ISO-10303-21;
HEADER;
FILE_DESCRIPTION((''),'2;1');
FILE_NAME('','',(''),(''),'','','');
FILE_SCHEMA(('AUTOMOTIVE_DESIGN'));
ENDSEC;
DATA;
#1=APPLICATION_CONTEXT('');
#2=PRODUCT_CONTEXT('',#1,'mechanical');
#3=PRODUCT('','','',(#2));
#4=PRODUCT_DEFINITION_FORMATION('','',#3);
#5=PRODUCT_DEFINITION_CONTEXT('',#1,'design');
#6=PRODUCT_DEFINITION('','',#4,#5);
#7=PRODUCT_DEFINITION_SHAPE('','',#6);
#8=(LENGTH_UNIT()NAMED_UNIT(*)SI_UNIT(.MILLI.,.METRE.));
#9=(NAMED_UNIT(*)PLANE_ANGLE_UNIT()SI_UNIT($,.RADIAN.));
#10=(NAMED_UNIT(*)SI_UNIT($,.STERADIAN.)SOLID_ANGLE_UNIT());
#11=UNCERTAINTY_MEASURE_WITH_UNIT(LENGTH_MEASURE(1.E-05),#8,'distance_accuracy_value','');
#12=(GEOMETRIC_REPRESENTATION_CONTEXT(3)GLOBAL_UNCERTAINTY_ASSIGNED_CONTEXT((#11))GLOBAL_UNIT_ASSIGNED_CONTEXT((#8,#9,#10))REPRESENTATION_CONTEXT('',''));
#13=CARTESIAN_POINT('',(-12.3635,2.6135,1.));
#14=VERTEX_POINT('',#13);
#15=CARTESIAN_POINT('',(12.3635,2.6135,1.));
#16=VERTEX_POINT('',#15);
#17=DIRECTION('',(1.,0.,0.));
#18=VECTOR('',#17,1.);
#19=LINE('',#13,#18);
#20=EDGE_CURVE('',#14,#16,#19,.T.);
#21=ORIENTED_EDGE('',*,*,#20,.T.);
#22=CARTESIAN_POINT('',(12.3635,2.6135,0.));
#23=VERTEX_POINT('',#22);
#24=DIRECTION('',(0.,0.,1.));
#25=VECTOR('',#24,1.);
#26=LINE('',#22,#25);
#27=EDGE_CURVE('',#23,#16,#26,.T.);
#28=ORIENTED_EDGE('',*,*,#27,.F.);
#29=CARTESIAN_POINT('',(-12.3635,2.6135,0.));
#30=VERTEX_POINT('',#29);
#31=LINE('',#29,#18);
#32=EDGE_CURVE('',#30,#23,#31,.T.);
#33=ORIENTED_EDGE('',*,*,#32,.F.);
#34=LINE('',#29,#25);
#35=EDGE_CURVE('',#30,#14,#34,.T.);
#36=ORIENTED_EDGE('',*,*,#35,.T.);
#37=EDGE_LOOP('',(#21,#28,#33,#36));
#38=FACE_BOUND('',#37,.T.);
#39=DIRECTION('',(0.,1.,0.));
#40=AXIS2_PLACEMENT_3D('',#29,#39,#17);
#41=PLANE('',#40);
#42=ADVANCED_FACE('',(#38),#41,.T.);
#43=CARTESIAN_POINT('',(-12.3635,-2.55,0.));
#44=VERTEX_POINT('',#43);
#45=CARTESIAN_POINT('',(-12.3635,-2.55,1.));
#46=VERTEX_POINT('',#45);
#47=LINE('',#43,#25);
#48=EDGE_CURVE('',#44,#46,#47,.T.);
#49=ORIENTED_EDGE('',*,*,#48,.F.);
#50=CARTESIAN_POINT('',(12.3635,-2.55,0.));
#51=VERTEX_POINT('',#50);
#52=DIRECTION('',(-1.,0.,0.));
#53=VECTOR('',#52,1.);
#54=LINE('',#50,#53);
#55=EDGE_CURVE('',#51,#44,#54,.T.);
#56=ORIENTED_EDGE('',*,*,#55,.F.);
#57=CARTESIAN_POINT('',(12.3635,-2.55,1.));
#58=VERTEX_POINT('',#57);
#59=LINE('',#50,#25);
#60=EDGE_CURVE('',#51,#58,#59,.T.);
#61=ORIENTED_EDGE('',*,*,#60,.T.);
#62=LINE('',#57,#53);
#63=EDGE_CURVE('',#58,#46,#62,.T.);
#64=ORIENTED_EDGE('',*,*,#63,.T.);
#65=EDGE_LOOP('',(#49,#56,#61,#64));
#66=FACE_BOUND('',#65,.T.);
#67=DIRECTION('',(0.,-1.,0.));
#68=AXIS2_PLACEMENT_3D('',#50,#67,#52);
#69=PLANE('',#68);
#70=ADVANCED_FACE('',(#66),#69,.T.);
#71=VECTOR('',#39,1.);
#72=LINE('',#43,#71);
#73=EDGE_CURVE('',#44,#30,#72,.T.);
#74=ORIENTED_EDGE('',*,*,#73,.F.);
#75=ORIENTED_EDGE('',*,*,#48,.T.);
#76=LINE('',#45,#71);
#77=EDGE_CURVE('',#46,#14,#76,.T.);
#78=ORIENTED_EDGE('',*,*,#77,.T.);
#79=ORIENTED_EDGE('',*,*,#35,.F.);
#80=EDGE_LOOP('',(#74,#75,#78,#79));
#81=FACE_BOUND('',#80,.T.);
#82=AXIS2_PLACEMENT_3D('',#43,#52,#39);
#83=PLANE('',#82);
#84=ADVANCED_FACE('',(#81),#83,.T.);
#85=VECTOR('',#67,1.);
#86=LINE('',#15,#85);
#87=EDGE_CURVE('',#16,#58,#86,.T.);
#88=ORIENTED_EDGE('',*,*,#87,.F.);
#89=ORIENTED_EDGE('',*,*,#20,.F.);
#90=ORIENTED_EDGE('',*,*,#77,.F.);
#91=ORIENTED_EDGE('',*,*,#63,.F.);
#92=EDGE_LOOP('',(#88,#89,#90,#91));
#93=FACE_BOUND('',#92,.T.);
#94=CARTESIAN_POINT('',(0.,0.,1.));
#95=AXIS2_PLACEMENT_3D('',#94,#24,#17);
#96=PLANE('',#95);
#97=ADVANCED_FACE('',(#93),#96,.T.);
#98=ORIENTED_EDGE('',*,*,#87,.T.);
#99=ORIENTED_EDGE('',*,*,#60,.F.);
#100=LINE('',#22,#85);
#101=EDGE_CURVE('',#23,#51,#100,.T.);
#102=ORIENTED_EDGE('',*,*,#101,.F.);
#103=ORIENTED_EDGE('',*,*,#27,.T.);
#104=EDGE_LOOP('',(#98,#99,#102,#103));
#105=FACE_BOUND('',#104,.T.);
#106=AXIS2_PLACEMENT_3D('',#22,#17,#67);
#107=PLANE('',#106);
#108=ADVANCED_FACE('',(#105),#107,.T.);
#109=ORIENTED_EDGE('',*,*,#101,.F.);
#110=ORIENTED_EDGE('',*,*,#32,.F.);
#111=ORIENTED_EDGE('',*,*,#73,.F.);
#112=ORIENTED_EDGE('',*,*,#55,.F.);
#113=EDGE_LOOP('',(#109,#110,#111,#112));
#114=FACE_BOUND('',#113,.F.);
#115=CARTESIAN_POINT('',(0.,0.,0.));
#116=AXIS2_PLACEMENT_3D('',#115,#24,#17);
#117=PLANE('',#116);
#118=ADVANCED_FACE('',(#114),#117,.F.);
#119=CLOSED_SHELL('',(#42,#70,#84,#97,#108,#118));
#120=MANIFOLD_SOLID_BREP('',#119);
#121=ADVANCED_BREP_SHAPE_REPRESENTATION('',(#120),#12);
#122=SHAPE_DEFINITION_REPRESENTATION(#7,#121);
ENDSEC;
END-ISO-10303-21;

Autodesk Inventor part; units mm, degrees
ref_plane "YZ Plane" through (0, 0, 0) normal (1, 0, 0) x (0, 1, 0)
ref_plane "XZ Plane" through (0, 0, 0) normal (0, 1, 0) x (-1, 0, 0)
ref_plane "XY Plane" through (0, 0, 0) normal (0, 0, 1) x (1, 0, 0)
sketch "FX8C-060P-SV_92_, FX8C-060P-SV_92__90" plane through (0, 0, 0) normal (0, 0, 1) x (1, 0, 0)
  line L0 (-12.3635, 2.6135) -> (12.3635, 2.6135)
  line L1 (12.3635, 2.6135) -> (12.3635, -2.55)
  line L2 (12.3635, -2.55) -> (-12.3635, -2.55)
  line L3 (-12.3635, -2.55) -> (-12.3635, 2.6135)
extrude "Extrusion1" add sketch "FX8C-060P-SV_92_, FX8C-060P-SV_92__90" along normal blind 1
properties part number "FX8C-060P-SV_92_"
